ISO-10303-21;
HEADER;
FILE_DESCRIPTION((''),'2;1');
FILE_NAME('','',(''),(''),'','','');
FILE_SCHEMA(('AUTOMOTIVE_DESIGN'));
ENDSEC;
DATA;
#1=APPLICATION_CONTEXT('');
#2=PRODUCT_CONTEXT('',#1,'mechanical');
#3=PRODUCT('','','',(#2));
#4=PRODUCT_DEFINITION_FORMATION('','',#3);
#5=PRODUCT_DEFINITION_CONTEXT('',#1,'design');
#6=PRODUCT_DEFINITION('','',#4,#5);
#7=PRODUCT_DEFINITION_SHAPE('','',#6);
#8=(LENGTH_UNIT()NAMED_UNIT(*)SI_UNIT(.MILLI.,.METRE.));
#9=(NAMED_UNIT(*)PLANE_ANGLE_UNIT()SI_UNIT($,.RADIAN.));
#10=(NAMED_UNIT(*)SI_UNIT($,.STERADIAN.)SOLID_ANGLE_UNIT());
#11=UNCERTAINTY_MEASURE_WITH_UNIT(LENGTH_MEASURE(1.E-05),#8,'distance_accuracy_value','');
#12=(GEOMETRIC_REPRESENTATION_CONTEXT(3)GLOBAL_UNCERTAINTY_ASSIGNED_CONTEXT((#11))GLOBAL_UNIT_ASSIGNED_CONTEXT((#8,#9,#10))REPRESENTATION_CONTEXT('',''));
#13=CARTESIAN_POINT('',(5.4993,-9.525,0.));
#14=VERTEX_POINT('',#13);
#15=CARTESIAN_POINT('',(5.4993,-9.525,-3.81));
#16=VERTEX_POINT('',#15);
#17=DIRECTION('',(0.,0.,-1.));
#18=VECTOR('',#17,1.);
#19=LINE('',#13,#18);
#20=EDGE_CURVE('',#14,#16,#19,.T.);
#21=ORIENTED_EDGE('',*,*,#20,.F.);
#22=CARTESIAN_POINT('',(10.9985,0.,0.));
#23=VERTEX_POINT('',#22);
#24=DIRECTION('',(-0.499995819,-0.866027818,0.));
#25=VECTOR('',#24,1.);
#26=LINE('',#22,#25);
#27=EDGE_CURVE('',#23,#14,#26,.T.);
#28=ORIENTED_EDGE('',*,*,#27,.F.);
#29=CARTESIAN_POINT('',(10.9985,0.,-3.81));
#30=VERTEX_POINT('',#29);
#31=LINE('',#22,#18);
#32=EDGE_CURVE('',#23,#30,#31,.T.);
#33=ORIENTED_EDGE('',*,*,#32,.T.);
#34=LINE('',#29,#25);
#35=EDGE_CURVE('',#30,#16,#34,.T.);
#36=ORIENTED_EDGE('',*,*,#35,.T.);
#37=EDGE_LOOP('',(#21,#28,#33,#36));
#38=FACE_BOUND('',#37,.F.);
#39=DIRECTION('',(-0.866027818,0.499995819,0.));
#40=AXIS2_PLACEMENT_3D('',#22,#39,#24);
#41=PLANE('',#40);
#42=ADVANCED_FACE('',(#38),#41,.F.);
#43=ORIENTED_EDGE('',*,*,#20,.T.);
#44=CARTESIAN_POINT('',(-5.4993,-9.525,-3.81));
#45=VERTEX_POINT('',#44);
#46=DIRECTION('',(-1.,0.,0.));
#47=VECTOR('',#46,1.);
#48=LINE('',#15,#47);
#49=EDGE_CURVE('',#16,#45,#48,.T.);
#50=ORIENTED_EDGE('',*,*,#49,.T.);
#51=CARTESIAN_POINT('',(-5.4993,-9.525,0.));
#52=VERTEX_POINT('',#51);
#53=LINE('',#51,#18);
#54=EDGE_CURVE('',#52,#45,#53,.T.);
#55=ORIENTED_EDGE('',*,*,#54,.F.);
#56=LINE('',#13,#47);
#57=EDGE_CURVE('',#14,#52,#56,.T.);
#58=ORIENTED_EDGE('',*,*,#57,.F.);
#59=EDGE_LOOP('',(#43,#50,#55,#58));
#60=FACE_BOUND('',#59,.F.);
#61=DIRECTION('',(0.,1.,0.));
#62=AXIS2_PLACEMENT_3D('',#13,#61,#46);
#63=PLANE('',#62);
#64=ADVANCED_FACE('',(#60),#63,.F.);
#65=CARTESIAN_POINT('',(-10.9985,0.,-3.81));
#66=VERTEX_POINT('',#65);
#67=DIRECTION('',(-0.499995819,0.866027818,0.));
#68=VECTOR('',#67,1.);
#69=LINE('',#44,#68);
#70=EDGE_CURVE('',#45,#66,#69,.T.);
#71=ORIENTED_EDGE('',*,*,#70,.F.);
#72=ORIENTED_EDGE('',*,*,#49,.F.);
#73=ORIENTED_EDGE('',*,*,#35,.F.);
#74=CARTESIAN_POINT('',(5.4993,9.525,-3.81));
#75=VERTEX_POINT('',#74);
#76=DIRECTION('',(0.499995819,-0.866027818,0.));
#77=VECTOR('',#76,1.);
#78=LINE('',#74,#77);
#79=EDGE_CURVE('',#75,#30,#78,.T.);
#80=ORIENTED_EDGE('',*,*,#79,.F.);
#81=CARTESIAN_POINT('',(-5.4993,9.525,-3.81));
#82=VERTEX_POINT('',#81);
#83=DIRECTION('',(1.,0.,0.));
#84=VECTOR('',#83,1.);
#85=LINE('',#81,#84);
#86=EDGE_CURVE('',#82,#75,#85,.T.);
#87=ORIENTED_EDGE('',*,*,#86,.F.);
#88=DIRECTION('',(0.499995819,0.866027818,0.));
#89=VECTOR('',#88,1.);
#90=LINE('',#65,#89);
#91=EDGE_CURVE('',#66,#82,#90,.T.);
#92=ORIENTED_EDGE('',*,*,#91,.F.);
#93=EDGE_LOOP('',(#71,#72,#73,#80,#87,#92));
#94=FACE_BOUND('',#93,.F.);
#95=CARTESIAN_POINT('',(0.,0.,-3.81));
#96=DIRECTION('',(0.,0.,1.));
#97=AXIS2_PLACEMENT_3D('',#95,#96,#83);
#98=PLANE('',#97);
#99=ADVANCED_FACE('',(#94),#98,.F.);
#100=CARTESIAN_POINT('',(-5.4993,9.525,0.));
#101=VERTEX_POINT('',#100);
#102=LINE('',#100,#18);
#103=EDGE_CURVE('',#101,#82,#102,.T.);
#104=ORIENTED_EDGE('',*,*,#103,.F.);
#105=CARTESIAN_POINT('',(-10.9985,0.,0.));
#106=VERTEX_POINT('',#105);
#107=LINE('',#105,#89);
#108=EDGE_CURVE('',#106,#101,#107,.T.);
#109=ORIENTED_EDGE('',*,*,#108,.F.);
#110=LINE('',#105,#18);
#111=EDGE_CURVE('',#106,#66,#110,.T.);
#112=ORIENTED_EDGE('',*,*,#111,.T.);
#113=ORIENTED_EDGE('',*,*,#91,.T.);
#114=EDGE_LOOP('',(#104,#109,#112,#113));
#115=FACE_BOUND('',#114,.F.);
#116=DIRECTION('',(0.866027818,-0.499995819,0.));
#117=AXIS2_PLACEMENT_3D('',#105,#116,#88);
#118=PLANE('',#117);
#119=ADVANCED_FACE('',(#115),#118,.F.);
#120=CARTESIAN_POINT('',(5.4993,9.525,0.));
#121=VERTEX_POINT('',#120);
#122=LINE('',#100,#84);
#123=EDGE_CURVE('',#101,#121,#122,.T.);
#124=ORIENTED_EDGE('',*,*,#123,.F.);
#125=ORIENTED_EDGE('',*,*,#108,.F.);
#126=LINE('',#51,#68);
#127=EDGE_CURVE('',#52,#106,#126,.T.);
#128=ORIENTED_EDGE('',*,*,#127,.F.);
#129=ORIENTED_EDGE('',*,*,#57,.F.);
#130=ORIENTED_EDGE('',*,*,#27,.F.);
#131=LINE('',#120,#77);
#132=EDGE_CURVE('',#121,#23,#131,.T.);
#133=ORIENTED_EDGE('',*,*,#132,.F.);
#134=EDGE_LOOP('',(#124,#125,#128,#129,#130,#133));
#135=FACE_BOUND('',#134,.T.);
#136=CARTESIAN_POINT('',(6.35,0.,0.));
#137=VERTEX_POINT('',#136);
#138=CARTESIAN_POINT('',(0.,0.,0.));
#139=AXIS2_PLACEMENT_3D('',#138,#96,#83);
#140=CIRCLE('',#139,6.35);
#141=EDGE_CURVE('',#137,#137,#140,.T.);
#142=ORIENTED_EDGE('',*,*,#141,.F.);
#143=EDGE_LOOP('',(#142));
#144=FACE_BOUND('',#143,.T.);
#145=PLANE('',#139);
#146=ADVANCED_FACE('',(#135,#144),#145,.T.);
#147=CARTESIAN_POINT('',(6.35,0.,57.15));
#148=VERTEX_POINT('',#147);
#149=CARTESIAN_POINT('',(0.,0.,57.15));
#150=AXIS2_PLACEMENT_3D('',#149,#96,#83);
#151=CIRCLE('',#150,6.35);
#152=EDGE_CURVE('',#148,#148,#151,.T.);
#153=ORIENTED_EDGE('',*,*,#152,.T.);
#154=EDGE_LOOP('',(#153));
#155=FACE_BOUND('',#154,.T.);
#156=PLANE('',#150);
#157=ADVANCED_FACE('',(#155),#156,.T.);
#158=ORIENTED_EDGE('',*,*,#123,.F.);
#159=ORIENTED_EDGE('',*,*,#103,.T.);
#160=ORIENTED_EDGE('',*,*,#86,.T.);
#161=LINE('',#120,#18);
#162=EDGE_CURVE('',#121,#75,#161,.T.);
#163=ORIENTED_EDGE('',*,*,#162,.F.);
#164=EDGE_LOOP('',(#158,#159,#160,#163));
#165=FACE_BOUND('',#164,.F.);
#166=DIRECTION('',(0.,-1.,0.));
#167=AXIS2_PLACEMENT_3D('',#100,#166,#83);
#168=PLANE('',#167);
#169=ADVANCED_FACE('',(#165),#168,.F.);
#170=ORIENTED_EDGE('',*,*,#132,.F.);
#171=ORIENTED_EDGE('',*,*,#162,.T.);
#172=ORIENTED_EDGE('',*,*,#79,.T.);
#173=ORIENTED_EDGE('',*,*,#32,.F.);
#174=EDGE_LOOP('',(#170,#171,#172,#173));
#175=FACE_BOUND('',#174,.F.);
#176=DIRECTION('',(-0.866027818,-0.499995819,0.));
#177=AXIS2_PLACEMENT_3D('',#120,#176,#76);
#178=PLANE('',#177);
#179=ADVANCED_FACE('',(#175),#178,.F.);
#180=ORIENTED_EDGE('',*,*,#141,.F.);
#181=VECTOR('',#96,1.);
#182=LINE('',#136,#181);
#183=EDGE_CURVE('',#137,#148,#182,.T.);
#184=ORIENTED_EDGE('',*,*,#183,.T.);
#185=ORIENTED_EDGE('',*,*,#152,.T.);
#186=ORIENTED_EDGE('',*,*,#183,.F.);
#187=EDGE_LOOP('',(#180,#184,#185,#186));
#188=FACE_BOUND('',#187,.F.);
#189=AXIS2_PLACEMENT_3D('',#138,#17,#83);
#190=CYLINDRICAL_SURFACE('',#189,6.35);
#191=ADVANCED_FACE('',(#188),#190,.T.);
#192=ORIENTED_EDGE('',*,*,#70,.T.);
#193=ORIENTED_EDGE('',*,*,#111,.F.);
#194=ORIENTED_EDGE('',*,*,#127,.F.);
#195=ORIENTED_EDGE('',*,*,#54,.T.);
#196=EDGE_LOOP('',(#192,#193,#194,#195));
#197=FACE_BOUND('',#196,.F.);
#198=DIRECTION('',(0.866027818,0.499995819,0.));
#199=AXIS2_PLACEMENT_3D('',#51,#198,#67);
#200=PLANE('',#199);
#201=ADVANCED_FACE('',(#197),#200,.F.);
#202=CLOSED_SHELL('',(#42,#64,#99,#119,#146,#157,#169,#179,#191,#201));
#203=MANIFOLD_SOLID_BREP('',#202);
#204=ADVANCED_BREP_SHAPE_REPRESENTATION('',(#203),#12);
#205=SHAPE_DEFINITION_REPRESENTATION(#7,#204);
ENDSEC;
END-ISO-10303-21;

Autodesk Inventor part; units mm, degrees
ref_plane "YZ Plane" through (0, 0, 0) normal (1, 0, 0) x (0, 1, 0)
ref_plane "XZ Plane" through (0, 0, 0) normal (0, 1, 0) x (-1, 0, 0)
ref_plane "XY Plane" through (0, 0, 0) normal (0, 0, 1) x (1, 0, 0)
sketch "Sketch1" plane through (0, 0, 0) normal (0, 0, 1) x (1, 0, 0)
  line L0 (-10.9985, 0) -> (-5.4993, 9.525)
  line L1 (-5.4993, 9.525) -> (5.4993, 9.525)
  line L2 (5.4993, 9.525) -> (10.9985, 0)
  line L3 (10.9985, 0) -> (5.4993, -9.525)
  line L4 (5.4993, -9.525) -> (-5.4993, -9.525)
  line L5 (-5.4993, -9.525) -> (-10.9985, 0)
  point P0 (0, 0)
  point P1 (0, 0)
  dimension "d0" = 19.05
extrude "Extrusion1" add sketch "Sketch1" against normal blind 3.81
sketch "Sketch2" plane through (0, 0, 0) normal (0, 0, 1) x (1, 0, 0)
  circle A0 centre (0, 0) radius 6.35
  dimension "d3" = 12.7
extrude "Extrusion2" add sketch "Sketch2" along normal blind 57.15
thread "Thread1" size "1/2-13 UNC" class "2A" standard "ANSI Unified Screw Threads" full length
properties part number "LucasCharles Part6 bolt for arm to speaker holder Final" material "Stainless Steel, Austenitic"
